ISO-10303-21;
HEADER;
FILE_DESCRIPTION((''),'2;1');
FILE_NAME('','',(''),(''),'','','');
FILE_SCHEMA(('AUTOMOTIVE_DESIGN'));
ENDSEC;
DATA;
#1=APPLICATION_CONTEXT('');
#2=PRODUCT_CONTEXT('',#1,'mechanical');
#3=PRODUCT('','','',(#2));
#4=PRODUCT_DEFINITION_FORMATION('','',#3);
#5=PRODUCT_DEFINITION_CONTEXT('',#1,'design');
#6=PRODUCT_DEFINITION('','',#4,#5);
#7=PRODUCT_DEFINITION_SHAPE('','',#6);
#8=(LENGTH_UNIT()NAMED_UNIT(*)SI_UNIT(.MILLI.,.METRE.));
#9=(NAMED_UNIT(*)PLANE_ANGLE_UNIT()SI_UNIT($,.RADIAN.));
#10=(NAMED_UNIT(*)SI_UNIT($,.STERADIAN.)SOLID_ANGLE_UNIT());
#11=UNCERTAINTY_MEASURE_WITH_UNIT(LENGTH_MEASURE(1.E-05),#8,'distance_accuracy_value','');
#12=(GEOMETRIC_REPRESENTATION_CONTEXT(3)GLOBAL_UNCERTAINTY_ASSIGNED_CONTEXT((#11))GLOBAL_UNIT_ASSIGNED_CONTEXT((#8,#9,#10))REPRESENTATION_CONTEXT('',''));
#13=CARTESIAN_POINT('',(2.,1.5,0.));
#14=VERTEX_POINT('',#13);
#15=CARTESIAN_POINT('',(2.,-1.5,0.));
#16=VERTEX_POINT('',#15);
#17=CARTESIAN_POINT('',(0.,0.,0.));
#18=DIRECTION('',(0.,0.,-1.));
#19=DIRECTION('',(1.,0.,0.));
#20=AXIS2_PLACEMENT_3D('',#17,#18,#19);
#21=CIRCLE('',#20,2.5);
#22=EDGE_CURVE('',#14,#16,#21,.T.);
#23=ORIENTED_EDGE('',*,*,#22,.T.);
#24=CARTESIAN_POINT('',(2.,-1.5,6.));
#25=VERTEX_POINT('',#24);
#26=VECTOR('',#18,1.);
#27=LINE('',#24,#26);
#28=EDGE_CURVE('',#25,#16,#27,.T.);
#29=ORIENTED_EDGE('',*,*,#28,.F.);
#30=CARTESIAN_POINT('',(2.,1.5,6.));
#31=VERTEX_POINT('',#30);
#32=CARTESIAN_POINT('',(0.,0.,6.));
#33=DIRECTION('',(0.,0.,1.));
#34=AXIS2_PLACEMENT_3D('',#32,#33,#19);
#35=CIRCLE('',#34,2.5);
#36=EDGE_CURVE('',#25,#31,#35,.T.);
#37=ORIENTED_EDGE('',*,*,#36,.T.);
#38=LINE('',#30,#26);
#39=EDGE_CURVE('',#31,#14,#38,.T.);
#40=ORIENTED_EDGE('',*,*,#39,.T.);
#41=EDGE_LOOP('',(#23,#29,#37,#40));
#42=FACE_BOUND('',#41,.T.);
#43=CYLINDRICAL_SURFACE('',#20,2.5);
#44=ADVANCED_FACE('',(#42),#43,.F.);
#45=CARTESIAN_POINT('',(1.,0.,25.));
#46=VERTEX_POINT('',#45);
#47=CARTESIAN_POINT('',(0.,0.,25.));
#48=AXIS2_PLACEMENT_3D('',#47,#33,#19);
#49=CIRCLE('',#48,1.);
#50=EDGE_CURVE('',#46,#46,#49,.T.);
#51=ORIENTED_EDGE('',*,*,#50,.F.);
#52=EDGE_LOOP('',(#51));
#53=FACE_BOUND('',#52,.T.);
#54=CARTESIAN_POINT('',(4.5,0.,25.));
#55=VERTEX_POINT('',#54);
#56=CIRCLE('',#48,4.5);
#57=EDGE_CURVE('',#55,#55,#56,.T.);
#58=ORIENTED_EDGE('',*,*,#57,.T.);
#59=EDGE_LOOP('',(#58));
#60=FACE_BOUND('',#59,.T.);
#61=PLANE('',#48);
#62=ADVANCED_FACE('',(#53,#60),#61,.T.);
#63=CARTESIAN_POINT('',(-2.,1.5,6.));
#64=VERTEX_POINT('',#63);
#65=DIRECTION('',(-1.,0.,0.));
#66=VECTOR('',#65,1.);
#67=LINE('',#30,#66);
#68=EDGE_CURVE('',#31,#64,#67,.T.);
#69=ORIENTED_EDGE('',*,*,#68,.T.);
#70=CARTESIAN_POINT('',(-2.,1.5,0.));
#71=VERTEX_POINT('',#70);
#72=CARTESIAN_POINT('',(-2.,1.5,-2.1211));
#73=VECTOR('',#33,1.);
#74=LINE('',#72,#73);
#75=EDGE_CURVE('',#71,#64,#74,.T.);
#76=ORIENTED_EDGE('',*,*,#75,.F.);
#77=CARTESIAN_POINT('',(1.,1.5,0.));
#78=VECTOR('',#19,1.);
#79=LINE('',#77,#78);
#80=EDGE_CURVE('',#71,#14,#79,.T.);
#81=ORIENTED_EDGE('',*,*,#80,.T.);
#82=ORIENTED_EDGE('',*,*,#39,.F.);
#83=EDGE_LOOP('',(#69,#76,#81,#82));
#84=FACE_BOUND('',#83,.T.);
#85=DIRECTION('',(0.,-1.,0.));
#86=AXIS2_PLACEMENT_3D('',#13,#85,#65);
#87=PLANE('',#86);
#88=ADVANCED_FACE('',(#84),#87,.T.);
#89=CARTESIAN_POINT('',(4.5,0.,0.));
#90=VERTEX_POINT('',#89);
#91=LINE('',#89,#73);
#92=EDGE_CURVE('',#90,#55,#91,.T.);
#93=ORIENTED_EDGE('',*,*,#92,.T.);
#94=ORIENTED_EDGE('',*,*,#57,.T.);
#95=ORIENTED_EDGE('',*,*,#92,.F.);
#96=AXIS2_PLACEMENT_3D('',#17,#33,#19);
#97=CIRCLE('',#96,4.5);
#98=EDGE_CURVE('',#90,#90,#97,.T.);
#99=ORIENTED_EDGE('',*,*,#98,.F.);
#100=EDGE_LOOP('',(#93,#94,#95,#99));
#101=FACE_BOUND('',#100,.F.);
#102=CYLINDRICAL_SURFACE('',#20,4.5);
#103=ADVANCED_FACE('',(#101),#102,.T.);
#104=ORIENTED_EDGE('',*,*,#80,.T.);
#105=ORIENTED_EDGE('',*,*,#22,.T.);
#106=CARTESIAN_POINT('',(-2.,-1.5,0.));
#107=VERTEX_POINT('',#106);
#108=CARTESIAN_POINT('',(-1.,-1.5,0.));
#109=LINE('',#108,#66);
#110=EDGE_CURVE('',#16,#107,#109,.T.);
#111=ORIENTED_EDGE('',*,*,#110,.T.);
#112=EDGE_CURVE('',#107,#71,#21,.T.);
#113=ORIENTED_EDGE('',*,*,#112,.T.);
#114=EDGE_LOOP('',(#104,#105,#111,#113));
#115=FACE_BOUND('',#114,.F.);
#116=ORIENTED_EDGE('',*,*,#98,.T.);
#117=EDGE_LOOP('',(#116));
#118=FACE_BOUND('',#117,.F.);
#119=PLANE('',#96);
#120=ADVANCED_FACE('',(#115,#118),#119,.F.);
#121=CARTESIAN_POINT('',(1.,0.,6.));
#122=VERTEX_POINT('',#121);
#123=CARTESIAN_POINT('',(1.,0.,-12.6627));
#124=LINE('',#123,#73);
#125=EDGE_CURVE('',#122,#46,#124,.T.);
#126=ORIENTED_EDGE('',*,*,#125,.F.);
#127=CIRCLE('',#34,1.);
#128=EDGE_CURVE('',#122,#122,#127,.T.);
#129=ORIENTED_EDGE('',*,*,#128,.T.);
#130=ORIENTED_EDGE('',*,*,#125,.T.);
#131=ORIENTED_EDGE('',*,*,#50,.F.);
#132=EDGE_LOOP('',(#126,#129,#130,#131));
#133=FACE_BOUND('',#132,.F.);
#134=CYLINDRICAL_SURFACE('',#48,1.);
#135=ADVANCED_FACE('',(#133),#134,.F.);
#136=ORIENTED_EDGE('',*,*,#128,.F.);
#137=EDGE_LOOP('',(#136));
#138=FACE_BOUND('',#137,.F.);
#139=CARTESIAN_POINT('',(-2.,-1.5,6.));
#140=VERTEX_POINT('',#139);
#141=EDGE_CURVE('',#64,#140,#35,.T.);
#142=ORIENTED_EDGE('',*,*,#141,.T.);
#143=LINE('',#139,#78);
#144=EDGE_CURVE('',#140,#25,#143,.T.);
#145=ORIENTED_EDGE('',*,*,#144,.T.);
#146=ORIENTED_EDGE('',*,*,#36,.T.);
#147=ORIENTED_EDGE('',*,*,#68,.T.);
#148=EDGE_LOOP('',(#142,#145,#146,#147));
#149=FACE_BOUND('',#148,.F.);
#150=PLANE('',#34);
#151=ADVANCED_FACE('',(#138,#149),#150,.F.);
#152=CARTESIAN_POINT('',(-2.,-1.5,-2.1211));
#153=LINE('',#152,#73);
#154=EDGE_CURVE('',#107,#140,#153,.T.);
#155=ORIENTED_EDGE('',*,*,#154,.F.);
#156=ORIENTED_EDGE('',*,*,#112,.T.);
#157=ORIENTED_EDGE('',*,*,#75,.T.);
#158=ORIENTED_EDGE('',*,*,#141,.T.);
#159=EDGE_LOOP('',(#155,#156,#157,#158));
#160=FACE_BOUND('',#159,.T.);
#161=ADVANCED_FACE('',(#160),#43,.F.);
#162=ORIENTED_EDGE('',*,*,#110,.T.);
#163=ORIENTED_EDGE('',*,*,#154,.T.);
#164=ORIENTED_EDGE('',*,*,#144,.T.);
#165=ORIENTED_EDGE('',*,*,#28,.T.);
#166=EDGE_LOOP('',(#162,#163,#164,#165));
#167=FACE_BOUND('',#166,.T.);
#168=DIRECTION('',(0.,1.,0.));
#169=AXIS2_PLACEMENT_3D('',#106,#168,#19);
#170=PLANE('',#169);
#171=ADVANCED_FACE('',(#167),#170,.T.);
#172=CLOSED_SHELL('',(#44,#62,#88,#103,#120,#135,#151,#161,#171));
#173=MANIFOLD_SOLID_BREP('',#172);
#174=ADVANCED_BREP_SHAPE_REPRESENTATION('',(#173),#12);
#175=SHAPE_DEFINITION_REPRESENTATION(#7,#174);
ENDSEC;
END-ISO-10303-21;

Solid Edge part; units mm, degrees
sketch "Sketch1" plane through (0, 0, 0) normal (0, 0, 1) x (1, 0, 0)
  circle A0 centre (0, 0) radius 4.5
extrude "Protrusion1" add sketch "Sketch1" along normal blind 25
sketch "Sketch2" plane through (0, 0, 0) normal (0, 0, -1) x (1, 0, 0)
  line L0 (2, -1.5) -> (-2, -1.5)
  line L1 (-2, 1.5) -> (2, 1.5)
  arc A0 (2, 1.5) -> (2, -1.5) centre (0, 0) cw
  arc A1 (-2, -1.5) -> (-2, 1.5) centre (0, 0) cw
extrude "ExtrudedCutout_1" cut sketch "Sketch2" against normal blind 6 and the other way blind 2.1211
sketch "Sketch3" plane through (0, 0, 25) normal (0, 0, 1) x (1, 0, 0)
  circle A0 centre (0, 0) radius 1
extrude "ExtrudedCutout_2" cut sketch "Sketch3" against normal blind 37.6627 and the other way blind 30.582
